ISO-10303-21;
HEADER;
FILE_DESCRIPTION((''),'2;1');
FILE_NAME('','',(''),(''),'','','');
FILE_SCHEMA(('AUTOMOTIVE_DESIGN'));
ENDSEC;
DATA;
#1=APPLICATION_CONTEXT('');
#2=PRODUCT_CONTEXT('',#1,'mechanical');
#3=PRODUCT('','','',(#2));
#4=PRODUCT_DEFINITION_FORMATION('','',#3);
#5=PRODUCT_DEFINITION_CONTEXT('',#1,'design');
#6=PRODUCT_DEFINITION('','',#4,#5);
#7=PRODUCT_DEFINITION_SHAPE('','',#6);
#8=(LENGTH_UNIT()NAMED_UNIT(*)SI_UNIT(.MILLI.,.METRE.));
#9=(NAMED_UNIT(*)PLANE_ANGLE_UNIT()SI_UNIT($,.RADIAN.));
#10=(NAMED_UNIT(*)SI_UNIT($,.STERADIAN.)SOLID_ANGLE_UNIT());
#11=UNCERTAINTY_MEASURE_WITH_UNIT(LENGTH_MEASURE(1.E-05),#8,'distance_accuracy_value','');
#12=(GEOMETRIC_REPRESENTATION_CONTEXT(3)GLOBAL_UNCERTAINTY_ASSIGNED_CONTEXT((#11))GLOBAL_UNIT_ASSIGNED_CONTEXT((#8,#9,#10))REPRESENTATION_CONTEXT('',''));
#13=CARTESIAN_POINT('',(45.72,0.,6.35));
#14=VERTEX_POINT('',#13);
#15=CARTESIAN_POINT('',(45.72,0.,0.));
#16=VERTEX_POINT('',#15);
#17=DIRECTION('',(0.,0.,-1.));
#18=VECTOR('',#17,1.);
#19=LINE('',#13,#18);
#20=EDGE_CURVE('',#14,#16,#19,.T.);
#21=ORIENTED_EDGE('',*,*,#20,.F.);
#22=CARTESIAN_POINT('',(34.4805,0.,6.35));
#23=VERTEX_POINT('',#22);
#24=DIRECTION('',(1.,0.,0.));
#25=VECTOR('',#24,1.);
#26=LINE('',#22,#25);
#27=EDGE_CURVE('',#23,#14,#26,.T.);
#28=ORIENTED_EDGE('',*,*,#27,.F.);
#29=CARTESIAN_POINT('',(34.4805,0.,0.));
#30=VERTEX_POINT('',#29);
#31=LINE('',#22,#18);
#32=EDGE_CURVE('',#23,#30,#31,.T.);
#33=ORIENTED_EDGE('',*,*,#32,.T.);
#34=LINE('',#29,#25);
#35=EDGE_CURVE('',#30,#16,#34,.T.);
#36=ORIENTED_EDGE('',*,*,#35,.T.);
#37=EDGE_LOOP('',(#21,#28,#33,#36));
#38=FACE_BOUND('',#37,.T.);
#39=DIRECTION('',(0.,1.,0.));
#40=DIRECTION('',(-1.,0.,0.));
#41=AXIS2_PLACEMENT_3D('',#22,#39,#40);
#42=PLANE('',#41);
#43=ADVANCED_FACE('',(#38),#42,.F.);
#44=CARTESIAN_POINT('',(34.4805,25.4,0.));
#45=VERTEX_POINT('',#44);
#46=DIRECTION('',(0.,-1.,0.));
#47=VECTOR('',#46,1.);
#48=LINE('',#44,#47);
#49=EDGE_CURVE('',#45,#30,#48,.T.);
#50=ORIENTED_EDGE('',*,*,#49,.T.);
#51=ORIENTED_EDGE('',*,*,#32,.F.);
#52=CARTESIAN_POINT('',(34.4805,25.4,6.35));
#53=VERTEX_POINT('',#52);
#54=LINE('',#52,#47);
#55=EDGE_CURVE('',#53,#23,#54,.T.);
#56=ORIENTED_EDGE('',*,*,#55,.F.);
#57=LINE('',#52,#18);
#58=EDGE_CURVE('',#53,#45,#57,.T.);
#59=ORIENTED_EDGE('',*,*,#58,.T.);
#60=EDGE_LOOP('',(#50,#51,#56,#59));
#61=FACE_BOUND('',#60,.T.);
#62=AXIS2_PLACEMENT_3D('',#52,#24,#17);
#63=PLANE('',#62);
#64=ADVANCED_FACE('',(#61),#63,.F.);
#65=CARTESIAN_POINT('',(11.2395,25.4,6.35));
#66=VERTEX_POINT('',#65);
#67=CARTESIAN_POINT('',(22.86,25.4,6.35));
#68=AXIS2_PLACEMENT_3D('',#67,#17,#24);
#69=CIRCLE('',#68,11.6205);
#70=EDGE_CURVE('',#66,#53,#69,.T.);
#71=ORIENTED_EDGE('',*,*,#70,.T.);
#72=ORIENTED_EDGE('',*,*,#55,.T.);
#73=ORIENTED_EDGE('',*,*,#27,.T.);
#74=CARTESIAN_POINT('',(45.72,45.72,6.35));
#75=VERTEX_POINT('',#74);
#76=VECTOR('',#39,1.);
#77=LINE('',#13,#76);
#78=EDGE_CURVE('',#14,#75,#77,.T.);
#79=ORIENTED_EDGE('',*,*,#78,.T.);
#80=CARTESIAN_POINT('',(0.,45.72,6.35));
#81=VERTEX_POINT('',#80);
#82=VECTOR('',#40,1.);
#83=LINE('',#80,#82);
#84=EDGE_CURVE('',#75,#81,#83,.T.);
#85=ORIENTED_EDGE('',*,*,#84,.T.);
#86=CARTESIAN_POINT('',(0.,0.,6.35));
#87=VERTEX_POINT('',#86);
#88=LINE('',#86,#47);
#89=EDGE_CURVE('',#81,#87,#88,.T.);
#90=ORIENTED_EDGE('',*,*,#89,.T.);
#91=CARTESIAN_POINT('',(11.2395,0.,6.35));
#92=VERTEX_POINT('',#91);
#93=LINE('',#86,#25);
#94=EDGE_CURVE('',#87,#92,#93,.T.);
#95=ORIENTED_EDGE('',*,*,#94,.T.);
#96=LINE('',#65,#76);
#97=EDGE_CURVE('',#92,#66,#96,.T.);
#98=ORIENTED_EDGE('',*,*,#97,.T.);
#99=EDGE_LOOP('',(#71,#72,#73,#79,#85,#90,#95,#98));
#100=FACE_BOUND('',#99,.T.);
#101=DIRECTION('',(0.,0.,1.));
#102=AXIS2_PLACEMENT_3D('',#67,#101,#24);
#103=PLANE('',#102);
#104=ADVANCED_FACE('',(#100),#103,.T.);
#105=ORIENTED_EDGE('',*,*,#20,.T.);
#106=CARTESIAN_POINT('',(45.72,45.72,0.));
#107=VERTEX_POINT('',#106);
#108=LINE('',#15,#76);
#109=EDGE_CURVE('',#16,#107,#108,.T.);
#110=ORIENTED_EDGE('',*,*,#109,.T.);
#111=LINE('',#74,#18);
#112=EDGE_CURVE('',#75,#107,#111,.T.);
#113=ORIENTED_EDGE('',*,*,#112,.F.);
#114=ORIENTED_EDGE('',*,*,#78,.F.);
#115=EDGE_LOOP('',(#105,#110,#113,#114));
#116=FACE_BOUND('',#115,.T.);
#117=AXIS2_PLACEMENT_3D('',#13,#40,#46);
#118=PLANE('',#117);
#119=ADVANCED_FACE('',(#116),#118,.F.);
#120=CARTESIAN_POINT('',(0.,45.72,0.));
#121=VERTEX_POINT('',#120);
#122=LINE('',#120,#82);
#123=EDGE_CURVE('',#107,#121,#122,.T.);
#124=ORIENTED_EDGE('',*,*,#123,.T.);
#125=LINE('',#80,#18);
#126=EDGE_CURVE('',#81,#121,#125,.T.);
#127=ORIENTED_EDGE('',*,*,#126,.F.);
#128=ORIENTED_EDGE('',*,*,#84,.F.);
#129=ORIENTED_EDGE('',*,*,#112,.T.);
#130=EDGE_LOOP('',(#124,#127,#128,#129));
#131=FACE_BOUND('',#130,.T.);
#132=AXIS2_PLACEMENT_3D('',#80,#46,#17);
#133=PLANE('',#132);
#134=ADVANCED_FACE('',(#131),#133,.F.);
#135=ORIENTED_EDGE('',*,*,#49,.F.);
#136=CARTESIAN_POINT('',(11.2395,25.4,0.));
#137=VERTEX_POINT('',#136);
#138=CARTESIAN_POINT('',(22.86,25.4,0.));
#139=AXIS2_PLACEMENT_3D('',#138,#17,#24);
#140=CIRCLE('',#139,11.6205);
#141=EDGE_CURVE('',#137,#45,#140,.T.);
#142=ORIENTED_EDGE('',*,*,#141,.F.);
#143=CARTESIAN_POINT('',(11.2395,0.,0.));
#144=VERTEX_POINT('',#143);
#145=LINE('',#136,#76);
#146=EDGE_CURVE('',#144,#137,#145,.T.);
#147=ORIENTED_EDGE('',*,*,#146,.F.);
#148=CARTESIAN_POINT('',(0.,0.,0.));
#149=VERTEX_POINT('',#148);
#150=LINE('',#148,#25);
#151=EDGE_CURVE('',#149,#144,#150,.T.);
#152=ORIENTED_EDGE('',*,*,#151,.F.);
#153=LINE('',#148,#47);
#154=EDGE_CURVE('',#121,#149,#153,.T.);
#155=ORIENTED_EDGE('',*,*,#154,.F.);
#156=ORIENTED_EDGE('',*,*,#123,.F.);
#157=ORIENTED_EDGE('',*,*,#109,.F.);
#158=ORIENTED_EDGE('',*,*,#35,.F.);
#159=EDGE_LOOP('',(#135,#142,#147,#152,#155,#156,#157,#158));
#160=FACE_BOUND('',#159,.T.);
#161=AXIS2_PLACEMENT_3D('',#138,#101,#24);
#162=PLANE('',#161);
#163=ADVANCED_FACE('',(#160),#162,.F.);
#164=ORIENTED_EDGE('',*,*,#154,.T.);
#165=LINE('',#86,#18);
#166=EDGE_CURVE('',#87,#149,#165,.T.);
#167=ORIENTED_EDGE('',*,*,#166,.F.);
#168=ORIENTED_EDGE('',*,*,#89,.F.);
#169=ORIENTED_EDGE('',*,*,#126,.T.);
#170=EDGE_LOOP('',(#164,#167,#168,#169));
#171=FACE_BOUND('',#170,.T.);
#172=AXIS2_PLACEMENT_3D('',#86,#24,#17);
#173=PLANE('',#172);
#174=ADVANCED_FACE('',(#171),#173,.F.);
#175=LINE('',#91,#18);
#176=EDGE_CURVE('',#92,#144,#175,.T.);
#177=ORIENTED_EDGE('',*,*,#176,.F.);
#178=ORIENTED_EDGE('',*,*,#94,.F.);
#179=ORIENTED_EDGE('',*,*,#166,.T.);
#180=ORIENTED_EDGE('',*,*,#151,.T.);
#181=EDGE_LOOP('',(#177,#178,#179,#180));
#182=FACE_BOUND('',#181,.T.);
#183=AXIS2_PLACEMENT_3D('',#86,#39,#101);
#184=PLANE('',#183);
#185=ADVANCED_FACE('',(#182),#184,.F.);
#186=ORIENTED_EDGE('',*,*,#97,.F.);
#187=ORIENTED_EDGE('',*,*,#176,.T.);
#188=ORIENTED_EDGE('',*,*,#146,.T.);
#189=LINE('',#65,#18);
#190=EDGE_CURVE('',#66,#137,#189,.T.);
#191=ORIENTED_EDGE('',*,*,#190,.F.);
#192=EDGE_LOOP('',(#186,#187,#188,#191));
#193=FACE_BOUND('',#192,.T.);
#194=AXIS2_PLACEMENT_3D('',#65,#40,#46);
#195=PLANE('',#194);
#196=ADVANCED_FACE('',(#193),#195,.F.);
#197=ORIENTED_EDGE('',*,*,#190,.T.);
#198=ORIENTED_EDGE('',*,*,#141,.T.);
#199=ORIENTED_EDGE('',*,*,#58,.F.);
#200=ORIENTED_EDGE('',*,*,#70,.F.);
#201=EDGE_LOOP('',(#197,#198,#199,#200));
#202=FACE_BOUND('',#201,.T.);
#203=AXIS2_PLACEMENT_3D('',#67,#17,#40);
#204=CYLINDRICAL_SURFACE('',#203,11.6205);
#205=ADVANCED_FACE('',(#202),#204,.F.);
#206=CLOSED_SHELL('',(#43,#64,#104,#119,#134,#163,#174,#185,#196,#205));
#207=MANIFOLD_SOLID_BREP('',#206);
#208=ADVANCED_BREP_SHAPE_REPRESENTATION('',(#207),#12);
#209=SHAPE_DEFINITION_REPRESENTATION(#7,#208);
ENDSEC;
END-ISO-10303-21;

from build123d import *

# Parameters (mm, degrees)
BOSS_EXTRUDE1_DEPTH = 6.35


with BuildPart() as part:
    # Sketch1 → Boss-Extrude1 (new body)
    with BuildSketch(Plane.XY):
        with BuildLine():
            Line((34.4805, 0), (45.72, 0))
            Line((45.72, 0), (45.72, 45.72))
            Line((45.72, 45.72), (0, 45.72))
            Line((0, 45.72), (0, 0))
            Line((0, 0), (11.2395, 0))
            Line((11.2395, 0), (11.2395, 25.4))
            ThreePointArc((11.2395, 25.4), (22.86, 37.0205), (34.4805, 25.4))
            Line((34.4805, 25.4), (34.4805, 0))
        make_face()
    extrude(amount=BOSS_EXTRUDE1_DEPTH)


solid = part.part
